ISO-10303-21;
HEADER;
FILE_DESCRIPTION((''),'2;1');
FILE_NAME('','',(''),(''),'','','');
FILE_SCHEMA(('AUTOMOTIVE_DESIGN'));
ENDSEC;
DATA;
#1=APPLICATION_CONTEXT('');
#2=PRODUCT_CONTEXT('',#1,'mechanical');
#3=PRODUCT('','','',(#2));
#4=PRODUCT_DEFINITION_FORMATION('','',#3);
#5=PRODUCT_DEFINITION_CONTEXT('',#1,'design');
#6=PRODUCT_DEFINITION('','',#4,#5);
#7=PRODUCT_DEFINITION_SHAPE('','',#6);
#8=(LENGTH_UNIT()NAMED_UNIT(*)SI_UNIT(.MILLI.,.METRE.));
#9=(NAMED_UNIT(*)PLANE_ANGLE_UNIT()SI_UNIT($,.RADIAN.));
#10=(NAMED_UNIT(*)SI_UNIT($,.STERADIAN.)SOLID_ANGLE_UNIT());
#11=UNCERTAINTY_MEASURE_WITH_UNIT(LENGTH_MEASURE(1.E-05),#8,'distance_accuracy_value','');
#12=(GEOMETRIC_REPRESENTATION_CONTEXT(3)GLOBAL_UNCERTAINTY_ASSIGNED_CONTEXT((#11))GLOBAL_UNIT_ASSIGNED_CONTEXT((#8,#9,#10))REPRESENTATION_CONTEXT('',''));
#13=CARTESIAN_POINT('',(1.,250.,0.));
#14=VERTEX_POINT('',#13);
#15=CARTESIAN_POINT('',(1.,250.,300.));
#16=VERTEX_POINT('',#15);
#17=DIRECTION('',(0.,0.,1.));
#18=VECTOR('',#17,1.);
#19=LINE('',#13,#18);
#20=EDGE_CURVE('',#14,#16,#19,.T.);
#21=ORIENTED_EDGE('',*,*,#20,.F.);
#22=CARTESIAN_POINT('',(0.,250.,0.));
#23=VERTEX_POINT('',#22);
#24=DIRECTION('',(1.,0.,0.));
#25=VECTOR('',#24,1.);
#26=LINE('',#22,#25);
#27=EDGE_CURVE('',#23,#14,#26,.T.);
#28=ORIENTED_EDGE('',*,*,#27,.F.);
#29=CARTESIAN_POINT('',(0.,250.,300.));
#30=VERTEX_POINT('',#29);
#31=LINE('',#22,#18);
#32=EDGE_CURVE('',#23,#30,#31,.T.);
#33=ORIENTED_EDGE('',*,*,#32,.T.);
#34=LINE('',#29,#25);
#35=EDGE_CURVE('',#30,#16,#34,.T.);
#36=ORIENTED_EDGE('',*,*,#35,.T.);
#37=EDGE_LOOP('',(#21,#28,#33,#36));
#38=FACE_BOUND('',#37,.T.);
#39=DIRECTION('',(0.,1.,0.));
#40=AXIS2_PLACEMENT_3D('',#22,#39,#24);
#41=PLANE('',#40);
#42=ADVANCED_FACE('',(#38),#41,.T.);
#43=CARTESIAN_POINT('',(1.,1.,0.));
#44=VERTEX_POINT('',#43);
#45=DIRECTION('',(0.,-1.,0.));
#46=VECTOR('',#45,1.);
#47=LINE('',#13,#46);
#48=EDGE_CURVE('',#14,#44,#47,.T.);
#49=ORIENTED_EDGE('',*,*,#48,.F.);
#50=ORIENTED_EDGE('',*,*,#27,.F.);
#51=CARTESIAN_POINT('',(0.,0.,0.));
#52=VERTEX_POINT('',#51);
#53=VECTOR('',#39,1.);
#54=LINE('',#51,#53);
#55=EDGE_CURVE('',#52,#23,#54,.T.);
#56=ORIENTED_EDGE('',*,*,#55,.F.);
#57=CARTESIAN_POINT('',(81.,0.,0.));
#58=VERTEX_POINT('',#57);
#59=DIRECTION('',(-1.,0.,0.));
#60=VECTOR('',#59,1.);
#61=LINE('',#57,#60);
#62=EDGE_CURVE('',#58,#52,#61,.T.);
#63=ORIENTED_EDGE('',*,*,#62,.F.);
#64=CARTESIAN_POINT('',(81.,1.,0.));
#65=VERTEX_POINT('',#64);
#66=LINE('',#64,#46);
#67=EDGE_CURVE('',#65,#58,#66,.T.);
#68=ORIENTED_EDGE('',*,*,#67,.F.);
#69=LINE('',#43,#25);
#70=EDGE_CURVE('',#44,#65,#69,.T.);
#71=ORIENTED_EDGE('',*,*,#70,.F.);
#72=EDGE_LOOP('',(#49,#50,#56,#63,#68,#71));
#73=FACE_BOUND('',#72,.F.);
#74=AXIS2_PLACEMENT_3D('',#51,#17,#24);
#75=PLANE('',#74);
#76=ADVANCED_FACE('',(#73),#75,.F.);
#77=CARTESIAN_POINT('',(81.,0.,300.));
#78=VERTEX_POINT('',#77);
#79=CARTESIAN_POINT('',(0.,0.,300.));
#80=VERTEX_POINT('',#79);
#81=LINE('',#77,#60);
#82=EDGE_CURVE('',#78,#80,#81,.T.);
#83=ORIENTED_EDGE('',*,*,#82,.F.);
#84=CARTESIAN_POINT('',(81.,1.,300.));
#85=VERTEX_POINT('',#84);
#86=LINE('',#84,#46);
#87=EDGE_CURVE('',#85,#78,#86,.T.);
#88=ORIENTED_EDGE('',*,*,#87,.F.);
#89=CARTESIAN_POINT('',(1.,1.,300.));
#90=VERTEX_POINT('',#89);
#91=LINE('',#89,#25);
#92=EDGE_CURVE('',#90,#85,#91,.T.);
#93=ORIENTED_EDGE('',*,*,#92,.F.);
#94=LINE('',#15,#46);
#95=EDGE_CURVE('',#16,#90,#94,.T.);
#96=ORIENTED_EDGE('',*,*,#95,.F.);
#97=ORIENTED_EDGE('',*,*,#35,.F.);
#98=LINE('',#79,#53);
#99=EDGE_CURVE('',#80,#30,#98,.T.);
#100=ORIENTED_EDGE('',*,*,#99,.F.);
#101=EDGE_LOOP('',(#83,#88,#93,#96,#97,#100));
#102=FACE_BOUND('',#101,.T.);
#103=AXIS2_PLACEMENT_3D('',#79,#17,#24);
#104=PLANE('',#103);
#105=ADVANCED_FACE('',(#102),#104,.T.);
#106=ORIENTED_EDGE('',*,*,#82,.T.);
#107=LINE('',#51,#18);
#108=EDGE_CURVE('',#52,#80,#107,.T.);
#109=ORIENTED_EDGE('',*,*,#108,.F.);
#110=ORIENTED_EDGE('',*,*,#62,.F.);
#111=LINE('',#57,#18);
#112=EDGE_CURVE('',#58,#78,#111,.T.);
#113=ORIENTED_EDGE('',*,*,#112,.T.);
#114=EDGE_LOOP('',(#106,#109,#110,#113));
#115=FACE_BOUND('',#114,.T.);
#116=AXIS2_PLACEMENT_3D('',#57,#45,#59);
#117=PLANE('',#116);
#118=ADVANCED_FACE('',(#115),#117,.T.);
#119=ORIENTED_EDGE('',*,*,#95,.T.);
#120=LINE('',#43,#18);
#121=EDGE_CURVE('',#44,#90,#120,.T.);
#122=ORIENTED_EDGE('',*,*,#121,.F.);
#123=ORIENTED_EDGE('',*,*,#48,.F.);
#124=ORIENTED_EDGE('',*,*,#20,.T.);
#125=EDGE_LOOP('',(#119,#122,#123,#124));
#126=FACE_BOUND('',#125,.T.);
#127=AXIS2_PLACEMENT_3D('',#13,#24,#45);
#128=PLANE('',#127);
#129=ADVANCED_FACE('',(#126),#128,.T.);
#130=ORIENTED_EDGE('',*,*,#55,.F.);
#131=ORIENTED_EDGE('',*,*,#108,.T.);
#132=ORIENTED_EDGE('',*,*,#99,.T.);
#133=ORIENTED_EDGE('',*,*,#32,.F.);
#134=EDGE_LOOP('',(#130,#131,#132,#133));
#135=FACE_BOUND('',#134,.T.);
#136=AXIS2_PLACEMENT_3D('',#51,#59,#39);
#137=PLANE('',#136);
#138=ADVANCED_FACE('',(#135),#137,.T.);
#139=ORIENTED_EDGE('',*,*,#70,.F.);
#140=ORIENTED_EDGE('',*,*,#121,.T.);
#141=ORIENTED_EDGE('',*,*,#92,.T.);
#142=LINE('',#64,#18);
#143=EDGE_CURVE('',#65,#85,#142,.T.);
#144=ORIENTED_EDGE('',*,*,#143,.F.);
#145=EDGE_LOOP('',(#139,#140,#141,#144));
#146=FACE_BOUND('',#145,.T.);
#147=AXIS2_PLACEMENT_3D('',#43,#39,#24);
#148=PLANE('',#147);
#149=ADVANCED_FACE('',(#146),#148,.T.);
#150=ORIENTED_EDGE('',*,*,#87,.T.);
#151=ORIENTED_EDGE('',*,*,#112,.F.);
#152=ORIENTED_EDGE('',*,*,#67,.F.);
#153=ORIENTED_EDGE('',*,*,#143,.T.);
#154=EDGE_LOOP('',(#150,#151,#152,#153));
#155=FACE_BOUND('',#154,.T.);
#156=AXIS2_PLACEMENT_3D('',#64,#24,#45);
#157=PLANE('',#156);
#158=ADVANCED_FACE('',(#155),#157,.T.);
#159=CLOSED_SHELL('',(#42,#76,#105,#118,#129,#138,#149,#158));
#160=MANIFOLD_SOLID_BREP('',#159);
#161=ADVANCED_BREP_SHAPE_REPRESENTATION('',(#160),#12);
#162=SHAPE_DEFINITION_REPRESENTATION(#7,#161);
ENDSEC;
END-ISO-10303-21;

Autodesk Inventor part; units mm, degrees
ref_plane "YZ Plane" through (0, 0, 0) normal (1, 0, 0) x (0, 1, 0)
ref_plane "XZ Plane" through (0, 0, 0) normal (0, 1, 0) x (-1, 0, 0)
ref_plane "XY Plane" through (0, 0, 0) normal (0, 0, 1) x (1, 0, 0)
sketch "Sketch1" plane through (0, 0, 0) normal (0, 0, 1) x (1, 0, 0)
  line L0 (0, 0) -> (0, 250)
  line L1 (0, 250) -> (1, 250)
  line L2 (1, 250) -> (1, 1)
  line L3 (1, 1) -> (81, 1)
  line L4 (81, 1) -> (81, 0)
  line L5 (81, 0) -> (0, 0)
  dimension "d0" = 250
  dimension "d1" = 1
  dimension "d2" = 249
  dimension "d3" = 80
extrude "Extrusion1" add sketch "Sketch1" along normal blind 300
properties part number "sheet support"
